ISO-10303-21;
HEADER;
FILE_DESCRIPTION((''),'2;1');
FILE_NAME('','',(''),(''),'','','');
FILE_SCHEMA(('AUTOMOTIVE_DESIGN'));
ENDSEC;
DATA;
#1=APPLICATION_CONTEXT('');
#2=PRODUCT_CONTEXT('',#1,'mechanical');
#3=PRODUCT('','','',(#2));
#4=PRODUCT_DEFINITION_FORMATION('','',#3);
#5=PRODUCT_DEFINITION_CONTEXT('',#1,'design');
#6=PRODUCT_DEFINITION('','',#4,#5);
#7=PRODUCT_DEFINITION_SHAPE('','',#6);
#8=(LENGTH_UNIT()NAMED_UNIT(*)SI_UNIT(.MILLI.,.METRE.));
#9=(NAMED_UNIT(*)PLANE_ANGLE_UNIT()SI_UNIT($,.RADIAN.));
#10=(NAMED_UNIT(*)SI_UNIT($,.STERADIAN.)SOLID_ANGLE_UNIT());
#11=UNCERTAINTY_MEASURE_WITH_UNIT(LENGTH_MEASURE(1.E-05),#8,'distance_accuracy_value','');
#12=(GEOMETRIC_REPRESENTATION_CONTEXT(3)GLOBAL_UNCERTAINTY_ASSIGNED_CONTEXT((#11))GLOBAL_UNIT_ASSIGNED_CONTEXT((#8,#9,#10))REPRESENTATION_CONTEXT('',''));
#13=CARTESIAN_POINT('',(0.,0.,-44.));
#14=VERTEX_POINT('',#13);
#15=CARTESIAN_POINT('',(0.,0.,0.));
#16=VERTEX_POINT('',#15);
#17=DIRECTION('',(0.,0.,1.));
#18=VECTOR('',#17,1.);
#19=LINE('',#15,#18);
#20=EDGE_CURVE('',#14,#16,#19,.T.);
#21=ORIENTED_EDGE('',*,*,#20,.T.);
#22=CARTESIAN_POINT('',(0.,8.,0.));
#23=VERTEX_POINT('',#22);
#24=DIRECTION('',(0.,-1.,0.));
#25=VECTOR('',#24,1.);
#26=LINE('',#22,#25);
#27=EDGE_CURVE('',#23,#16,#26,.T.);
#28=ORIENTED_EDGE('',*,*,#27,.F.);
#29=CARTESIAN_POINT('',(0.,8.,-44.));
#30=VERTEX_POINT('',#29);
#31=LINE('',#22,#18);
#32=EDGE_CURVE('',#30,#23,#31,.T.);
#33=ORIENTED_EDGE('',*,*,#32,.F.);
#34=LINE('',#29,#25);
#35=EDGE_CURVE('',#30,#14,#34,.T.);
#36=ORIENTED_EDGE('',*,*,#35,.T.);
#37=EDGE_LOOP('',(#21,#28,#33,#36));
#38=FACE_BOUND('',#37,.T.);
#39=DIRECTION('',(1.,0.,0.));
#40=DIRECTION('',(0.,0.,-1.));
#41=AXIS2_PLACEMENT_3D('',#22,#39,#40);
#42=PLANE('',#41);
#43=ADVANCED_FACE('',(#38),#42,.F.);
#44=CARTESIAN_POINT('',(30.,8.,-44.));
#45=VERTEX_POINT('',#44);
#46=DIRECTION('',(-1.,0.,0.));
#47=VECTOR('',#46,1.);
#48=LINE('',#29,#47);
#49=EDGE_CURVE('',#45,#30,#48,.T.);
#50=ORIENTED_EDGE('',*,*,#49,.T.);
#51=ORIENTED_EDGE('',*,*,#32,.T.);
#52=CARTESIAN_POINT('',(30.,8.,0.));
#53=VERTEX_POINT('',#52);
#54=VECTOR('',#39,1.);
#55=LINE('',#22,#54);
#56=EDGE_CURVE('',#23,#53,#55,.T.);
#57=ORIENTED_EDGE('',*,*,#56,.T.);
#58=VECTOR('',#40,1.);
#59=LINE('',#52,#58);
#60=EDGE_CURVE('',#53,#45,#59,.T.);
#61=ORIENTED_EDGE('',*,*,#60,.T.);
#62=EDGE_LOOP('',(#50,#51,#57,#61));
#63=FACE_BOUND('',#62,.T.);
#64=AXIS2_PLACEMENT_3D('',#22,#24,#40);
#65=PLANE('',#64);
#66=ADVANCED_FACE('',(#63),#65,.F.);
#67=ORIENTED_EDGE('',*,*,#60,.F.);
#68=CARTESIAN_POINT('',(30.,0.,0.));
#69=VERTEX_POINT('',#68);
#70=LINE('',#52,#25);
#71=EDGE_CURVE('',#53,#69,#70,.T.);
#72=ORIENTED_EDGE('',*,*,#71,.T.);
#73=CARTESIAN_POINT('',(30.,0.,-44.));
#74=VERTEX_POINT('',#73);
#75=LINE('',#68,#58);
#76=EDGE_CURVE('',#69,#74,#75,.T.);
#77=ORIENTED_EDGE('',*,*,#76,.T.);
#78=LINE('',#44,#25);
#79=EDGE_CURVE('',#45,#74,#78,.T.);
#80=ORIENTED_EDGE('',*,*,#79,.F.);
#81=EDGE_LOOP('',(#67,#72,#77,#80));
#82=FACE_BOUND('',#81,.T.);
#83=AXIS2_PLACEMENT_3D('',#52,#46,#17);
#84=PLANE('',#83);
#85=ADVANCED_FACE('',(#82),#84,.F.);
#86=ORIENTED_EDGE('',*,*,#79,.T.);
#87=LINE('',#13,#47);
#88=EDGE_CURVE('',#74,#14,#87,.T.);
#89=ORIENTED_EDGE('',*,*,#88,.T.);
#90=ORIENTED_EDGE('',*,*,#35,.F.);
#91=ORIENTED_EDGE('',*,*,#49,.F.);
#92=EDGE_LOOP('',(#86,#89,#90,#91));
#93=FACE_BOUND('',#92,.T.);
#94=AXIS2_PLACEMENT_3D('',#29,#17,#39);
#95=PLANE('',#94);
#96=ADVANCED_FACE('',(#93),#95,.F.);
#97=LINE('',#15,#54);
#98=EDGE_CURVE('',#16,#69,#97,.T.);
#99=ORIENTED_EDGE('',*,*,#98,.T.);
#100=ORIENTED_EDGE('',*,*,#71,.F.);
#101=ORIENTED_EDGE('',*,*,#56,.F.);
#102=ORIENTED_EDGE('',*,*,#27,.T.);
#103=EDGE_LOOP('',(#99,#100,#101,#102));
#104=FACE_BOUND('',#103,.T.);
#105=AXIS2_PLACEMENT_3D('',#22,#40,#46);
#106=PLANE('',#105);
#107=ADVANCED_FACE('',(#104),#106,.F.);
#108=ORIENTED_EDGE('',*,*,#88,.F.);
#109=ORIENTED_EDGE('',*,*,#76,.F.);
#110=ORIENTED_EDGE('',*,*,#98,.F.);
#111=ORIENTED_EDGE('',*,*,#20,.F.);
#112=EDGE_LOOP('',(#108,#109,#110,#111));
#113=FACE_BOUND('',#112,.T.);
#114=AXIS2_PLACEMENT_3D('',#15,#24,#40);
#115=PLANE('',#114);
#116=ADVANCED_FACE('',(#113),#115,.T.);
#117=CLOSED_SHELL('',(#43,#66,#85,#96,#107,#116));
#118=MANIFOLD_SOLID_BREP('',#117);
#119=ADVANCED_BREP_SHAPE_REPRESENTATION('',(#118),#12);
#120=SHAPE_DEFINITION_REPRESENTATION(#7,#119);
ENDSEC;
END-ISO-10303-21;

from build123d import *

# Parameters (mm, degrees)
SKETCH1_W           = 30
SKETCH1_H           = 44
BOSS_EXTRUDE1_DEPTH = 8


with BuildPart() as part:
    # Sketch1 → Boss-Extrude1 (new body)
    with BuildSketch(Plane(origin=(0, 0, 0), x_dir=(1, 0, 0), z_dir=(0, 1, 0))):
        with Locations((15, 22)):
            Rectangle(SKETCH1_W, SKETCH1_H)
    extrude(amount=BOSS_EXTRUDE1_DEPTH)


solid = part.part
